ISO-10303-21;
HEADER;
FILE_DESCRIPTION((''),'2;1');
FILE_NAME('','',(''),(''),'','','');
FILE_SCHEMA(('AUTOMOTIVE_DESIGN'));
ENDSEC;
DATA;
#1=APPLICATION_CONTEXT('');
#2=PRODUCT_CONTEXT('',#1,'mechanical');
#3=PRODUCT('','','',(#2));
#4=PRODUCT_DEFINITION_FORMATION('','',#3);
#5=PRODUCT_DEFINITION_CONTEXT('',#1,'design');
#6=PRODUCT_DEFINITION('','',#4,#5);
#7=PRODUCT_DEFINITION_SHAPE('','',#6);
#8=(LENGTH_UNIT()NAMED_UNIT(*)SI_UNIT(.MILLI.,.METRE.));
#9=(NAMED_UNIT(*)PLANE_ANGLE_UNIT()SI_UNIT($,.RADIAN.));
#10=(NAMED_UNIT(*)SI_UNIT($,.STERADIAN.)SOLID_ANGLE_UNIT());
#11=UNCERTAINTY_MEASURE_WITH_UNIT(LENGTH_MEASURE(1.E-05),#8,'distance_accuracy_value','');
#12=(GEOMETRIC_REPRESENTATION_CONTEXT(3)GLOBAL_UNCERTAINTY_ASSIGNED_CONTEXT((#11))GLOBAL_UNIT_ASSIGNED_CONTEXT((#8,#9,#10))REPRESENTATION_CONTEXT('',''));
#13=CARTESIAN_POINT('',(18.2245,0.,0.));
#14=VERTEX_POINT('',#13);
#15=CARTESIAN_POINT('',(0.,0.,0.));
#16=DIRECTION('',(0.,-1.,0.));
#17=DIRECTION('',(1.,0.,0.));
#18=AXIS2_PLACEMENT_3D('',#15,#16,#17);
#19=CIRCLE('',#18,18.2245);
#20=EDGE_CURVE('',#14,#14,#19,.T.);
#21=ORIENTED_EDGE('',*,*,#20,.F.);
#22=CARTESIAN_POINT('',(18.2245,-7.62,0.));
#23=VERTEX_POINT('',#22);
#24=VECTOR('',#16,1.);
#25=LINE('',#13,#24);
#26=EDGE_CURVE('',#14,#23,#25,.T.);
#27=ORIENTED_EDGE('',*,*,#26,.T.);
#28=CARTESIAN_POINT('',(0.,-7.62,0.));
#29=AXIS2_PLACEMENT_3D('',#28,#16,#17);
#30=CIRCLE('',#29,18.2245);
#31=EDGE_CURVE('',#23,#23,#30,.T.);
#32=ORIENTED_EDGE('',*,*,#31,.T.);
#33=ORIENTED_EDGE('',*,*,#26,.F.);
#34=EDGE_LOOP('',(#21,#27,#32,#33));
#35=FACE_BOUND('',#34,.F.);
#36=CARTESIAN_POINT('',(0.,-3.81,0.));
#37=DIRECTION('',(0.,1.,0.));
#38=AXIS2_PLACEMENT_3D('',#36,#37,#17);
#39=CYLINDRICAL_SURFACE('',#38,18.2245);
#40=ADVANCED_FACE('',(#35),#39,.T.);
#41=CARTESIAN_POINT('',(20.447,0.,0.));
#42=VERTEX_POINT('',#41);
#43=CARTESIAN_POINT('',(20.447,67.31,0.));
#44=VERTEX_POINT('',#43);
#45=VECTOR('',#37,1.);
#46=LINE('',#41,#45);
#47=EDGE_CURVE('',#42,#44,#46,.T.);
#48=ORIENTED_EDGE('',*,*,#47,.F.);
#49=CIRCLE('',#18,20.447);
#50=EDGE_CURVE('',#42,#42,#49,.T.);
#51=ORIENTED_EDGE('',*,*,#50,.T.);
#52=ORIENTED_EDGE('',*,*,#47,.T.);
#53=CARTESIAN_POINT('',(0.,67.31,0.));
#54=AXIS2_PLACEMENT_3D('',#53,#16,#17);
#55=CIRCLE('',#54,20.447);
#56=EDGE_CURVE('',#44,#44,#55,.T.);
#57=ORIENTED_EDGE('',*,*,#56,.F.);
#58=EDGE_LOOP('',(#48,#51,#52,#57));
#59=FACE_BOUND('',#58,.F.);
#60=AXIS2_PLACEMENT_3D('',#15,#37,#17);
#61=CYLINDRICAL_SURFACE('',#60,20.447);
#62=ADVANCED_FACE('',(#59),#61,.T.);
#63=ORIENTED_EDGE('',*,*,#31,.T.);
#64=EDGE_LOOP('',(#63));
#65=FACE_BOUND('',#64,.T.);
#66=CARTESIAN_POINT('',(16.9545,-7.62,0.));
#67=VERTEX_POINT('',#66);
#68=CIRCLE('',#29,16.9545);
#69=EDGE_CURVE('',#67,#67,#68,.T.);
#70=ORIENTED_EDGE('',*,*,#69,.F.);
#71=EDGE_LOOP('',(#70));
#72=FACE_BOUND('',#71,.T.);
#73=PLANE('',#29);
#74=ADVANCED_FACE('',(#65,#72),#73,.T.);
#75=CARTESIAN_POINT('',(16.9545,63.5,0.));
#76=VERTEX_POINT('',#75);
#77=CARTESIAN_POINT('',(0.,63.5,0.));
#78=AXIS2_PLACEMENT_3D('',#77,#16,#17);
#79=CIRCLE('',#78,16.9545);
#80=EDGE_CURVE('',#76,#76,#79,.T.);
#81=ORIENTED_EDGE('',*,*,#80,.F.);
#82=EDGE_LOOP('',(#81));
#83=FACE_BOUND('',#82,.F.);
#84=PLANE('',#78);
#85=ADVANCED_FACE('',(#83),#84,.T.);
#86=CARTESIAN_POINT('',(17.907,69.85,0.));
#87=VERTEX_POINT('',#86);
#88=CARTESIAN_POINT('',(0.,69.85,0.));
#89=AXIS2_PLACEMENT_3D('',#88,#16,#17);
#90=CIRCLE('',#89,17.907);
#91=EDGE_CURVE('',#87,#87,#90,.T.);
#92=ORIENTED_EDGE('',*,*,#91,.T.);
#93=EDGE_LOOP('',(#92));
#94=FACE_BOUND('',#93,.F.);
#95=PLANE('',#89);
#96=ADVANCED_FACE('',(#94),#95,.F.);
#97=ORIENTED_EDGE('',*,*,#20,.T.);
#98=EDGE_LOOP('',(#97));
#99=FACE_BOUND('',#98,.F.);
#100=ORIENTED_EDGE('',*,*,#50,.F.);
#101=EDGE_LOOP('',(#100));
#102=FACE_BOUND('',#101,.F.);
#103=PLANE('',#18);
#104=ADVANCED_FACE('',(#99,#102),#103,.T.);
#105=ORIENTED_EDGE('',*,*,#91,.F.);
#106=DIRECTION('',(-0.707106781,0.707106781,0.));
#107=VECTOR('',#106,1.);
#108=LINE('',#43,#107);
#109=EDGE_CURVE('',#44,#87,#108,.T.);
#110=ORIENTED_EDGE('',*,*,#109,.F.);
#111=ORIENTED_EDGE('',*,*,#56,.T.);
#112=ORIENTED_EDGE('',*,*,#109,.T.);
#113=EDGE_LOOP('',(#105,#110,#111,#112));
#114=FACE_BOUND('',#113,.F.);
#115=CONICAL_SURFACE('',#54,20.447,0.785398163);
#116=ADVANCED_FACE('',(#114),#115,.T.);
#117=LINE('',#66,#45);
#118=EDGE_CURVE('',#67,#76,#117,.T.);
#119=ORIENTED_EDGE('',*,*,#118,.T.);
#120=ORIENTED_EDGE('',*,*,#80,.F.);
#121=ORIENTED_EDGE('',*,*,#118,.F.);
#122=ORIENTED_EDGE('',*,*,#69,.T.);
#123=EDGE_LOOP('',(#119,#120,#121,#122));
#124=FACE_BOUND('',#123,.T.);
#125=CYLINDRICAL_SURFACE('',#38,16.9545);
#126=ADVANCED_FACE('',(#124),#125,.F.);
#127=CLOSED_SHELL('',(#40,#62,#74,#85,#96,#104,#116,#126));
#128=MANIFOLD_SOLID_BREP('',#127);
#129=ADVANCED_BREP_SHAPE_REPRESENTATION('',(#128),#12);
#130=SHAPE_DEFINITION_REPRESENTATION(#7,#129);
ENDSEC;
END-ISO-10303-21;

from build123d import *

# Parameters (mm, degrees)
CHAMFER1_SIZE       = 2.54
SKETCH6_R           = 18.2245
SKETCH6_R_2         = 16.9545
BOSS_EXTRUDE2_DEPTH = 3.81


with BuildPart() as part:
    # Sketch2 → Revolve1 (revolve)
    with BuildSketch(Plane.XY):
        Polygon((20.447, 0), (20.447, 69.85), (0, 69.85), (0, 63.5), (16.9545, 63.5), (16.9545, -3.81), (18.2245, -3.81), (18.2245, 0), align=None)
    revolve(axis=Axis((0, 86.868, 0), (0, -1, 0)))

    # Chamfer1
    chamfer1_edges = [part.edges().sort_by_distance(p)[0] for p in [
        (-20.447, 69.85, 0),
    ]]
    chamfer(chamfer1_edges, length=CHAMFER1_SIZE)

    # Sketch6 → Boss-Extrude2 (add)
    with BuildSketch(Plane.XZ.offset(3.81)):
        Circle(SKETCH6_R)
        Circle(SKETCH6_R_2, mode=Mode.SUBTRACT)
    extrude(amount=BOSS_EXTRUDE2_DEPTH)


solid = part.part
